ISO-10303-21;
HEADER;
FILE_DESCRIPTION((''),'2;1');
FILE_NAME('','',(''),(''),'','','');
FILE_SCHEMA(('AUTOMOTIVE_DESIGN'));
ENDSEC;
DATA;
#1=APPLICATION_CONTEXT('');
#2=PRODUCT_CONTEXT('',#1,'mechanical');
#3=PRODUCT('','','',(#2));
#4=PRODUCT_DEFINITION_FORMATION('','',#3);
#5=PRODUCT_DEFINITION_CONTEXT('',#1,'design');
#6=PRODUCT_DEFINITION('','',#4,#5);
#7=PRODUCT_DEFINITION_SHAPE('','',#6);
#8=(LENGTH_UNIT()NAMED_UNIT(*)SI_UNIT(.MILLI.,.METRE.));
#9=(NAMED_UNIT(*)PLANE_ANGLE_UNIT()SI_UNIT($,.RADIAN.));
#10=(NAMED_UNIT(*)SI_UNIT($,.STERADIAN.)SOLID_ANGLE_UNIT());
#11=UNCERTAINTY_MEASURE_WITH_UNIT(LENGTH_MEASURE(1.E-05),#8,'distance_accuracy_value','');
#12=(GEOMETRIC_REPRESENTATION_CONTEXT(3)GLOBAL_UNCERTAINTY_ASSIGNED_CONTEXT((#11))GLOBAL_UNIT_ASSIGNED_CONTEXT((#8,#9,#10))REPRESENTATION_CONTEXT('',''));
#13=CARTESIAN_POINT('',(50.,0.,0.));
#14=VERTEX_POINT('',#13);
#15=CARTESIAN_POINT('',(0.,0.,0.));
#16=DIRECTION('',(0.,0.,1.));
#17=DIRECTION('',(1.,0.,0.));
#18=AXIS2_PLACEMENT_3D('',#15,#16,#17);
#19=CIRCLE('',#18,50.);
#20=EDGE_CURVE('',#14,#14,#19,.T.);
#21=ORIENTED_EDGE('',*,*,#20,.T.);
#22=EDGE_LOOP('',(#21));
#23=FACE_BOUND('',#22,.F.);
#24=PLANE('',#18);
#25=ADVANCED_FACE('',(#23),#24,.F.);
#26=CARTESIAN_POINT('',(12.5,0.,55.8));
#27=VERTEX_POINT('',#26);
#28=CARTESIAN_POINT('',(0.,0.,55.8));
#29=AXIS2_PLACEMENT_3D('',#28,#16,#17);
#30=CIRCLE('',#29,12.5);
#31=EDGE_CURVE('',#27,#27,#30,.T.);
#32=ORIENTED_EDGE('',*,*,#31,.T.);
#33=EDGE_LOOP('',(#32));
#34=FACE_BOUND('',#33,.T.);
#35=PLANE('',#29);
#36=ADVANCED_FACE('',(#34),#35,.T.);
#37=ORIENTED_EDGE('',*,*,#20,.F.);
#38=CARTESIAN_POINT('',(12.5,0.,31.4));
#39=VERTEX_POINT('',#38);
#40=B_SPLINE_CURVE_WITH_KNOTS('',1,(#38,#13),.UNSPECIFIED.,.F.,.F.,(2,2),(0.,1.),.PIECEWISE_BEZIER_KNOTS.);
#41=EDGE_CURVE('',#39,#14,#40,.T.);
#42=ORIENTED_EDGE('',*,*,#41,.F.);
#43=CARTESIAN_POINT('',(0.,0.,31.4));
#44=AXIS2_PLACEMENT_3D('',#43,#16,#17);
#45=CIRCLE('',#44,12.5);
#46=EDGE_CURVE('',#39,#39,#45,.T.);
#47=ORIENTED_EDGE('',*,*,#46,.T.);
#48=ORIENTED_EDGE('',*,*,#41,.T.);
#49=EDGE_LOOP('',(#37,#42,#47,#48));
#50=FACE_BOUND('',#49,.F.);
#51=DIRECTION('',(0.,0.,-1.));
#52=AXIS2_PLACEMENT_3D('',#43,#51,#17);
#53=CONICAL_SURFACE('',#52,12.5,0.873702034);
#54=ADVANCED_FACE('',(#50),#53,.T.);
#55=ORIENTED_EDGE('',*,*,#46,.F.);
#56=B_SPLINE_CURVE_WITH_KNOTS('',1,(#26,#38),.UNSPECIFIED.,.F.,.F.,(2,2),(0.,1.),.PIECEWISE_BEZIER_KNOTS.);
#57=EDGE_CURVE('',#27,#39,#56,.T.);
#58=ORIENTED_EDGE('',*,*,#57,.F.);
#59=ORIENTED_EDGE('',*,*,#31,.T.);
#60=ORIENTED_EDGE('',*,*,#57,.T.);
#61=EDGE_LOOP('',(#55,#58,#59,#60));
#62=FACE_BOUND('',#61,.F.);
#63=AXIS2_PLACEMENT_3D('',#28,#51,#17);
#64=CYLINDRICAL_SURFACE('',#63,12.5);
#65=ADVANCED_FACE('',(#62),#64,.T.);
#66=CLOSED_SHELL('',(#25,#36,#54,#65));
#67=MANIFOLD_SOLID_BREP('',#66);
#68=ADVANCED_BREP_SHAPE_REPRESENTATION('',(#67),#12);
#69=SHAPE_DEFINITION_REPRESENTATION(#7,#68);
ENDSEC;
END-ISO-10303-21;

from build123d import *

# Parameters (mm, degrees)
F2_R      = 12.5
F0_R      = 50
F5_R      = 12.5
F4_FACE_R = 12.5


with BuildPart() as f4:
    # F2 (on offset) → F4 section 0
    with BuildSketch(Plane.XY.offset(31.4)):
        Circle(F2_R)
    # F0 (on Top) → F4 section 1
    with BuildSketch(Plane.XY):
        Circle(F0_R)
    loft()

    # F5 (on offset) → F6 section 0
    with BuildSketch(Plane.XY.offset(55.8)):
        Circle(F5_R)
    # F4_face (on face) → F6 section 1
    with BuildSketch(Plane.XY.offset(31.4)):
        Circle(F4_FACE_R)
    loft()


solid = f4.part
